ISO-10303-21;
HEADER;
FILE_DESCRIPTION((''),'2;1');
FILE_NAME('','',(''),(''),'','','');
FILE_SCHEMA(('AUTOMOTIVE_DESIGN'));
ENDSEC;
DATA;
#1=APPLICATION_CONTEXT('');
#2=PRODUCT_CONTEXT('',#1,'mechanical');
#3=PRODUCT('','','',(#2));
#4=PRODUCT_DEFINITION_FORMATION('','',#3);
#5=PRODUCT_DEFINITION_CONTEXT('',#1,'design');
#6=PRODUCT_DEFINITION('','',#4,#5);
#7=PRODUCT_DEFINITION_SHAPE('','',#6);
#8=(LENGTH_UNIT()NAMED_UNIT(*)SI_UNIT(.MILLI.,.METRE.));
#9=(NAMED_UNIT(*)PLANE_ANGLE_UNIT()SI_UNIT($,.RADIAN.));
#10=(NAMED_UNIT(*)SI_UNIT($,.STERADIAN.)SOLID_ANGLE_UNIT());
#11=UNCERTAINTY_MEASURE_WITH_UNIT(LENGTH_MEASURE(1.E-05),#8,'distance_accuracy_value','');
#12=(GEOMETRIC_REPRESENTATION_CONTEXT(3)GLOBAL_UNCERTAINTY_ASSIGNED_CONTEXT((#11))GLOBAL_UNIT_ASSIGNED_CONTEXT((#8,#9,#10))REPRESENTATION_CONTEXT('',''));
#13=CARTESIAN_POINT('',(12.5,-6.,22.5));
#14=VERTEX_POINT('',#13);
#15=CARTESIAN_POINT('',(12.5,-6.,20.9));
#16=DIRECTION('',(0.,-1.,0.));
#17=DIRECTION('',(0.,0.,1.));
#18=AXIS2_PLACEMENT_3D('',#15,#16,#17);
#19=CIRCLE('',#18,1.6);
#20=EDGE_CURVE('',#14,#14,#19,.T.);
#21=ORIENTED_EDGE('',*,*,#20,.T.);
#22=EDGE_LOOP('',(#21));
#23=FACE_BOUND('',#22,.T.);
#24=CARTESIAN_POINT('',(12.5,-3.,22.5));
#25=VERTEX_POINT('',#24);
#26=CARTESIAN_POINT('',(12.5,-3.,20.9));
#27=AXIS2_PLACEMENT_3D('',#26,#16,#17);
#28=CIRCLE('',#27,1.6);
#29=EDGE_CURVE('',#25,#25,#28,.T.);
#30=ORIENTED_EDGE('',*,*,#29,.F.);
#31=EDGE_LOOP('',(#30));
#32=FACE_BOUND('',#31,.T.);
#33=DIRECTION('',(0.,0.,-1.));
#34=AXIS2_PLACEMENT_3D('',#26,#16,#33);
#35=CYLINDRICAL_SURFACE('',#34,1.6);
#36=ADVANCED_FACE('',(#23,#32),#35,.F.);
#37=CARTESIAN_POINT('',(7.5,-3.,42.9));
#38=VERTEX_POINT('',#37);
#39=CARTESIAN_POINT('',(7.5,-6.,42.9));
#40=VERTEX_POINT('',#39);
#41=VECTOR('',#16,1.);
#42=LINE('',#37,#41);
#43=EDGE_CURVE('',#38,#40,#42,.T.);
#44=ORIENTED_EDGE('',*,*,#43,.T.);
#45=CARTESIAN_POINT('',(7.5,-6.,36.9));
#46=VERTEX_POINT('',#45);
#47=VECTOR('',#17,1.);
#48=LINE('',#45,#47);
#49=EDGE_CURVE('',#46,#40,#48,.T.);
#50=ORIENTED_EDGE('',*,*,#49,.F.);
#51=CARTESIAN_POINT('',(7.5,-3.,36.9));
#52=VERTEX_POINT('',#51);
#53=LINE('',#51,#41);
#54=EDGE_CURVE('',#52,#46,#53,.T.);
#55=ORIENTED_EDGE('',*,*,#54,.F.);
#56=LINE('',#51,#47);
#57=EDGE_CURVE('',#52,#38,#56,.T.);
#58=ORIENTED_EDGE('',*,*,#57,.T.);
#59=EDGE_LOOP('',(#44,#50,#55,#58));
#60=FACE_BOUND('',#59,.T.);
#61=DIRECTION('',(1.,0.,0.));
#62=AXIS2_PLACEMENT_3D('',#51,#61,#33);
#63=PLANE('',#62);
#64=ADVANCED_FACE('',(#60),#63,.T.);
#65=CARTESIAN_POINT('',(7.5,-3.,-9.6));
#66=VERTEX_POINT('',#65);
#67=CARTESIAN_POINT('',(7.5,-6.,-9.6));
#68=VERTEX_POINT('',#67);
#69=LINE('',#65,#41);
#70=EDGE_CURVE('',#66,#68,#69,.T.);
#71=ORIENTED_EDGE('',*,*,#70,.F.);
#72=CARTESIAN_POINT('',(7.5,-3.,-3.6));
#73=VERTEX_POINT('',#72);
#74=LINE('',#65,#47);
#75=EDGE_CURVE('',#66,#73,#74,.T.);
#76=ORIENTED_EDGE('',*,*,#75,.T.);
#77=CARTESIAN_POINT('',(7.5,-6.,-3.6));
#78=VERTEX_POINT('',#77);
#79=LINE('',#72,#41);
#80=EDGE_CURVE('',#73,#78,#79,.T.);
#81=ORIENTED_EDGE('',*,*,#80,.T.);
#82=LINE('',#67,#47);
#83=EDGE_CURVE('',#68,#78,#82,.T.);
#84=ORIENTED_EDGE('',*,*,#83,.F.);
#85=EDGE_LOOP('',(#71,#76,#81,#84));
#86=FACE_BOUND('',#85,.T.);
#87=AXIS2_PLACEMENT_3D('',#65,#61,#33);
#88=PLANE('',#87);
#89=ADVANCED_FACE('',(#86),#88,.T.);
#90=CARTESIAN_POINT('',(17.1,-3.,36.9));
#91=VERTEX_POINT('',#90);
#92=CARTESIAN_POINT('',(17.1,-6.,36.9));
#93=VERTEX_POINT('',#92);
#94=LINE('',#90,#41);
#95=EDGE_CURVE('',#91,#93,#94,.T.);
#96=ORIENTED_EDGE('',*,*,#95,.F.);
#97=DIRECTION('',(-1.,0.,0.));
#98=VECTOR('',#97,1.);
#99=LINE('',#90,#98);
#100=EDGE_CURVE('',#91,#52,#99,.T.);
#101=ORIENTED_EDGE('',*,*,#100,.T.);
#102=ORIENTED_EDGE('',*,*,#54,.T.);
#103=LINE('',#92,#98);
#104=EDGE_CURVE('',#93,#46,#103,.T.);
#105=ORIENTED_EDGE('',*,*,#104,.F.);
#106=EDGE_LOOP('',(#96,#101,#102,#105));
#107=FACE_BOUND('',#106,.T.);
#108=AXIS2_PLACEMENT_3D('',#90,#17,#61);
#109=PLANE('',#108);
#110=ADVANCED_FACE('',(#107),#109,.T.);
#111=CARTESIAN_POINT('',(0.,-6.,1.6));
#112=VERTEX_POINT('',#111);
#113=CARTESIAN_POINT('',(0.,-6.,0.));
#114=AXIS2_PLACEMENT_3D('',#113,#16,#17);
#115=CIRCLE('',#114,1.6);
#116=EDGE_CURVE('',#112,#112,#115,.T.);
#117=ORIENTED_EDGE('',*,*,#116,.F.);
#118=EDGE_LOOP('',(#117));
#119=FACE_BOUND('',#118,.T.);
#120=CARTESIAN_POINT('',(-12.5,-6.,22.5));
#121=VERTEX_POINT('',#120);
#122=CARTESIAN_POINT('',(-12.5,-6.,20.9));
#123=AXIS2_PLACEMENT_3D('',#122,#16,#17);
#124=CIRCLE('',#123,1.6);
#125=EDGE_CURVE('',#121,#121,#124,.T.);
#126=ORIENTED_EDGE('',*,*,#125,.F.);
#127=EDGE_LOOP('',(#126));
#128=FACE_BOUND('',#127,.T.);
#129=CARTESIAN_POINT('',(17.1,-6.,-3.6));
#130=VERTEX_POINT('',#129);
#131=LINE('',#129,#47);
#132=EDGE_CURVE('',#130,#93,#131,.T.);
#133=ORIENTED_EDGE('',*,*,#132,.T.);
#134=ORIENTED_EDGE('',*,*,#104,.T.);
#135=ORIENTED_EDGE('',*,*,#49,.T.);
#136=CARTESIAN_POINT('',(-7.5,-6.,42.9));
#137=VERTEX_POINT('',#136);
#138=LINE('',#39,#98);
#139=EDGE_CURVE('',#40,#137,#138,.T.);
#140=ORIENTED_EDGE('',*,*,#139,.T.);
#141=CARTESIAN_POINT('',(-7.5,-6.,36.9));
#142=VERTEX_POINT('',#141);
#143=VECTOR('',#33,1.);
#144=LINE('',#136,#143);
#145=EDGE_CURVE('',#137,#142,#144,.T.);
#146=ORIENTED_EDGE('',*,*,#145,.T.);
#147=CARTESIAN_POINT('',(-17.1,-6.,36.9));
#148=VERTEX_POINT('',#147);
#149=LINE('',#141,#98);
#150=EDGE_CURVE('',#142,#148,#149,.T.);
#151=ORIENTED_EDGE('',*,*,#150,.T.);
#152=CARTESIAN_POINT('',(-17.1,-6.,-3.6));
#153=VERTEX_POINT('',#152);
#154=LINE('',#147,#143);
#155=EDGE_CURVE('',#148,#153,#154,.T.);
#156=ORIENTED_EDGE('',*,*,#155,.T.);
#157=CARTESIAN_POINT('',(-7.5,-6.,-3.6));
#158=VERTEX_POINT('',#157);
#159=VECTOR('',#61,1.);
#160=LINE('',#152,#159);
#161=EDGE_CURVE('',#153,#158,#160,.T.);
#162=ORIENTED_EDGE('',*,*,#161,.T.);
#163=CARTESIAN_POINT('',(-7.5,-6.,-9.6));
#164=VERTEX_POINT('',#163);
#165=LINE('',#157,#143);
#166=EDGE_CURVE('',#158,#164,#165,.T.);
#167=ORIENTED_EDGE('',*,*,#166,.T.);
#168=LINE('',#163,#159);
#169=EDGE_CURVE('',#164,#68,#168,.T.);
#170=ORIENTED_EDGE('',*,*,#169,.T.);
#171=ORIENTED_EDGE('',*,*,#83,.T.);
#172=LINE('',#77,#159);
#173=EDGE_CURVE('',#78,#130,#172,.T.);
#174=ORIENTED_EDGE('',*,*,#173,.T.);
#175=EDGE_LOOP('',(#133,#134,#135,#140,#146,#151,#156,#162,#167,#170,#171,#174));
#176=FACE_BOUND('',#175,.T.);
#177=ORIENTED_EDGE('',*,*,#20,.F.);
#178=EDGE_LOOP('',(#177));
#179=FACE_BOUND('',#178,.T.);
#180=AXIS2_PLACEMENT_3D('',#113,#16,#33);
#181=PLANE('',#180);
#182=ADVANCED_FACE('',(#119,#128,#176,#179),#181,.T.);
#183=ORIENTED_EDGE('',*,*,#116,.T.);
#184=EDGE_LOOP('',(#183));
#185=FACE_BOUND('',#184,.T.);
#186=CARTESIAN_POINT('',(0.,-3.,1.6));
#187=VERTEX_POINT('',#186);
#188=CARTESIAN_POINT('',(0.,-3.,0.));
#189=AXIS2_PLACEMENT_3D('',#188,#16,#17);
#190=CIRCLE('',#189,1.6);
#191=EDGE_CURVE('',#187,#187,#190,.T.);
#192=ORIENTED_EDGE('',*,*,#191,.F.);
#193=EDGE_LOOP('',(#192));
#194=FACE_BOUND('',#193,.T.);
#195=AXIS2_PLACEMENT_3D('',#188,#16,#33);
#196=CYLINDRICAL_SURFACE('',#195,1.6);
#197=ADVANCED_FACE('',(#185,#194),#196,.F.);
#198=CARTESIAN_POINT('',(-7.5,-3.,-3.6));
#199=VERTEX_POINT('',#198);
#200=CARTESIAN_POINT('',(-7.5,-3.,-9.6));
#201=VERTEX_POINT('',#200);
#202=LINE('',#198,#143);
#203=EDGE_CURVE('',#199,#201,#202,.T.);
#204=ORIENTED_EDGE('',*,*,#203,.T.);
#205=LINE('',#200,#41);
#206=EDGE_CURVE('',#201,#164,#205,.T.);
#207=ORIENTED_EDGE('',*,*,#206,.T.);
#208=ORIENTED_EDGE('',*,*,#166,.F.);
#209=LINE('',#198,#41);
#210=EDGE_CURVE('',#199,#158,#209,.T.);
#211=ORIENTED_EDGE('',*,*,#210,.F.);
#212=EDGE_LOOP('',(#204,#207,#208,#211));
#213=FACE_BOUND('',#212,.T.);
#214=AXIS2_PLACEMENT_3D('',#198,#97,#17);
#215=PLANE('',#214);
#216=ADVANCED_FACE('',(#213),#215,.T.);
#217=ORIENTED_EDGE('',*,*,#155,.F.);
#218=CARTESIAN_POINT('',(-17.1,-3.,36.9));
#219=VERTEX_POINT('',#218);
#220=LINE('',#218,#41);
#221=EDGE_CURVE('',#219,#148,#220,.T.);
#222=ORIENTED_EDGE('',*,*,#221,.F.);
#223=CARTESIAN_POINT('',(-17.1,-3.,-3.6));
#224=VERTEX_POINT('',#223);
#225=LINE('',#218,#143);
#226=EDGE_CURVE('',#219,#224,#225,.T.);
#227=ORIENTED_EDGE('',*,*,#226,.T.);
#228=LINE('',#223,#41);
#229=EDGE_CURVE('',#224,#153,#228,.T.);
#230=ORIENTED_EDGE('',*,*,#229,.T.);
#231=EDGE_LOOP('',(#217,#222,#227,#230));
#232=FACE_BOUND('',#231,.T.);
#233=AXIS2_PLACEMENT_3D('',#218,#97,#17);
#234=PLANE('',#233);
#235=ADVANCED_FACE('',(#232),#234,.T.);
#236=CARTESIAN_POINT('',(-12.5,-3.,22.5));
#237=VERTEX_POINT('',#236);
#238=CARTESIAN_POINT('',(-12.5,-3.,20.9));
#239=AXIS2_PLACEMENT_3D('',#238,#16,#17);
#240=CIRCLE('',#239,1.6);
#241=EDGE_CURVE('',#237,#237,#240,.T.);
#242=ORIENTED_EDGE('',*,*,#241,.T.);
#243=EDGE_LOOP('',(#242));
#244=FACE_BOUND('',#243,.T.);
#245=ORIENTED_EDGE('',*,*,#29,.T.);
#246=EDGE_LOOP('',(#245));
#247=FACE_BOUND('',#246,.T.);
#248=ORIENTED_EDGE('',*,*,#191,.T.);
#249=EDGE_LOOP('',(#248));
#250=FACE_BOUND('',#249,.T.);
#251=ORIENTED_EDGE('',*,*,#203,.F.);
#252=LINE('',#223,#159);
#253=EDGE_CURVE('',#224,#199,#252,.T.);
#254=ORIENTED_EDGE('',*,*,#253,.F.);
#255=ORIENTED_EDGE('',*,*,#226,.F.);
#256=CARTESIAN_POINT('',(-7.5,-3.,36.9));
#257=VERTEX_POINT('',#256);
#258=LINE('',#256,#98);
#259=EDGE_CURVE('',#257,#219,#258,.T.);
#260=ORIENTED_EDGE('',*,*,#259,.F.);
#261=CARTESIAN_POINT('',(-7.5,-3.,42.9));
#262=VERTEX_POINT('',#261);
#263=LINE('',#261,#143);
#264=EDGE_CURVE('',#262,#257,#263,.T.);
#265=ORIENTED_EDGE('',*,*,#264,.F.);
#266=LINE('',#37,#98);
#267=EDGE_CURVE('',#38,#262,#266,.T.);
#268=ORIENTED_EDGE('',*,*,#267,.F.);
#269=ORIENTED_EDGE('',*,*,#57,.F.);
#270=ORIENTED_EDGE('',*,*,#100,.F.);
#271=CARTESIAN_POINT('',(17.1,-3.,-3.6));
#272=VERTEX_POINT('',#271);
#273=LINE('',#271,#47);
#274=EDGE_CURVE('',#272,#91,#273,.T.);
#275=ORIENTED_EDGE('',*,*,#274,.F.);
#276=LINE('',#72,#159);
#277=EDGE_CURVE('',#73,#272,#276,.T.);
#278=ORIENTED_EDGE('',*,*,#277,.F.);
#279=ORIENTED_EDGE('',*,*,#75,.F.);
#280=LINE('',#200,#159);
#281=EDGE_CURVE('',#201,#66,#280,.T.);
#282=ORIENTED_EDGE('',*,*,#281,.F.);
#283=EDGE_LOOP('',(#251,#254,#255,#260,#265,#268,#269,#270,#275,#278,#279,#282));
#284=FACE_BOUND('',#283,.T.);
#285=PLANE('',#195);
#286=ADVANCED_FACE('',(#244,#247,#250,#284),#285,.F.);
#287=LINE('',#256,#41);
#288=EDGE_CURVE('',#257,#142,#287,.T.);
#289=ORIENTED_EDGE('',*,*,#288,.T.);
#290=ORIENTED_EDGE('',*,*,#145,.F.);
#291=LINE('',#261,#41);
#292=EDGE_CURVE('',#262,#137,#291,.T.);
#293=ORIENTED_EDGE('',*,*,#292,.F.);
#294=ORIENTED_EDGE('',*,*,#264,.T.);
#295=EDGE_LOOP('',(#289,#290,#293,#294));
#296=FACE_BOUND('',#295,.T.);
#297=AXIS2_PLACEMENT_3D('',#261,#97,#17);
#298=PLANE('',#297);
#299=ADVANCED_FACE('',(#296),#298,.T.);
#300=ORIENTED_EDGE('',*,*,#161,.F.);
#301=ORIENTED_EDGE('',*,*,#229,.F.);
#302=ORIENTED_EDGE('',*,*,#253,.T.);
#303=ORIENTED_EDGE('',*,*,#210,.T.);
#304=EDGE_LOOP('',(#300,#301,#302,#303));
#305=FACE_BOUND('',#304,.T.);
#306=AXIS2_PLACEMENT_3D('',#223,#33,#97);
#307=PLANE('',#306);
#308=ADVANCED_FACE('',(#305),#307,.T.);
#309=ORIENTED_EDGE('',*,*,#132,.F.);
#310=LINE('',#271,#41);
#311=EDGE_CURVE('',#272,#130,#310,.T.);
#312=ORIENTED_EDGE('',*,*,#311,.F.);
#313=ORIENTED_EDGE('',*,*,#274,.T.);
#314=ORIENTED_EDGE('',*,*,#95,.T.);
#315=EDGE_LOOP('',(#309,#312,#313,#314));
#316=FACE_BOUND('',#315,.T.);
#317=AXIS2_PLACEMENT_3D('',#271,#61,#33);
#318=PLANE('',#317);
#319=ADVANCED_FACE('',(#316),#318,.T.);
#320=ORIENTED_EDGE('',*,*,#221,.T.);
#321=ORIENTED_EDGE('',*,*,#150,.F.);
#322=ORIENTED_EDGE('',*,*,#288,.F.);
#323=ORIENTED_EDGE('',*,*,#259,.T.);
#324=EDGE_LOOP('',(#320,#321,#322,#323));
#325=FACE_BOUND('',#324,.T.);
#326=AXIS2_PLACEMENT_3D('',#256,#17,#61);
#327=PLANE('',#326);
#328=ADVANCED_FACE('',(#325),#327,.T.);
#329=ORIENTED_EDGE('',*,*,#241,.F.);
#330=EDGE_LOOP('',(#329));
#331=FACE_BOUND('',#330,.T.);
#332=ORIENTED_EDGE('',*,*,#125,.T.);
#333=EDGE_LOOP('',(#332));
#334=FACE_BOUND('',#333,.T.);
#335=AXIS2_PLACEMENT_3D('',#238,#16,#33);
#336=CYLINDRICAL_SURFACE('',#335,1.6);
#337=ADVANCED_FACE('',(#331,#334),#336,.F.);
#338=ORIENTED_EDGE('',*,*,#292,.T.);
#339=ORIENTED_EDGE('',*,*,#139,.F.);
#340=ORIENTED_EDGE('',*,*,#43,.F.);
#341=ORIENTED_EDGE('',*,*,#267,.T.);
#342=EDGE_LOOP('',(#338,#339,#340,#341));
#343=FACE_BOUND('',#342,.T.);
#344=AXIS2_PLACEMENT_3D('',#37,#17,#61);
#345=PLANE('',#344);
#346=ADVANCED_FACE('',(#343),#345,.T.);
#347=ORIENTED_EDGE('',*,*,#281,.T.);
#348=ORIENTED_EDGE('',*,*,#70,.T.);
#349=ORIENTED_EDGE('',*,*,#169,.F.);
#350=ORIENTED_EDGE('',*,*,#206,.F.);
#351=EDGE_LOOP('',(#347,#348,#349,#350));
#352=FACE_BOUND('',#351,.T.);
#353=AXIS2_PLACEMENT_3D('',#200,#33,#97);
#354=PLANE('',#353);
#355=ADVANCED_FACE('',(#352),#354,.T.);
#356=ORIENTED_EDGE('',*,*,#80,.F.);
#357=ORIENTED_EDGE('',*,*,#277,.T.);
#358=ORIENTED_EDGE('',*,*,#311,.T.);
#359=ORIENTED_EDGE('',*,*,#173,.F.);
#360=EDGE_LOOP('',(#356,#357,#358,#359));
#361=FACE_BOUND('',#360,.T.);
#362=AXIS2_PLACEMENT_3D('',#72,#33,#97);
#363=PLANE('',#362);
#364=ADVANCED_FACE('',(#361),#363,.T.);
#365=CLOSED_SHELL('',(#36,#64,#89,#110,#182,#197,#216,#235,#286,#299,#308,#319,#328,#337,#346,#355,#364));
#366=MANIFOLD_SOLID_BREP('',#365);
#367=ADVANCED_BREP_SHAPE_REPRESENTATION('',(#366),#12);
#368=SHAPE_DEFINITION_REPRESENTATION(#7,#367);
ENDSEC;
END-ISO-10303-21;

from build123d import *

# Parameters (mm, degrees)
ESBO_O1_R                = 1.6
RESSALTO_EXTRUS_O1_DEPTH = 3


with BuildPart() as part:
    # Esboço1 → Ressalto-extrusão1 (new body)
    with BuildSketch(Plane.XZ.offset(6)):
        Polygon((17.1, 36.9), (7.5, 36.9), (7.5, 42.9), (-7.5, 42.9), (-7.5, 36.9), (-17.1, 36.9), (-17.1, -3.6), (-7.5, -3.6), (-7.5, -9.6), (7.5, -9.6), (7.5, -3.6), (17.1, -3.6), align=None)
        with Locations(Location((-12.5, 20.9, 0), (0, 0, 90))):
            Circle(ESBO_O1_R, mode=Mode.SUBTRACT)
        with Locations(Location((0, 0, 0), (0, 0, 90))):
            Circle(ESBO_O1_R, mode=Mode.SUBTRACT)
        with Locations(Location((12.5, 20.9, 0), (0, 0, 90))):
            Circle(ESBO_O1_R, mode=Mode.SUBTRACT)
    extrude(amount=-RESSALTO_EXTRUS_O1_DEPTH)


solid = part.part
